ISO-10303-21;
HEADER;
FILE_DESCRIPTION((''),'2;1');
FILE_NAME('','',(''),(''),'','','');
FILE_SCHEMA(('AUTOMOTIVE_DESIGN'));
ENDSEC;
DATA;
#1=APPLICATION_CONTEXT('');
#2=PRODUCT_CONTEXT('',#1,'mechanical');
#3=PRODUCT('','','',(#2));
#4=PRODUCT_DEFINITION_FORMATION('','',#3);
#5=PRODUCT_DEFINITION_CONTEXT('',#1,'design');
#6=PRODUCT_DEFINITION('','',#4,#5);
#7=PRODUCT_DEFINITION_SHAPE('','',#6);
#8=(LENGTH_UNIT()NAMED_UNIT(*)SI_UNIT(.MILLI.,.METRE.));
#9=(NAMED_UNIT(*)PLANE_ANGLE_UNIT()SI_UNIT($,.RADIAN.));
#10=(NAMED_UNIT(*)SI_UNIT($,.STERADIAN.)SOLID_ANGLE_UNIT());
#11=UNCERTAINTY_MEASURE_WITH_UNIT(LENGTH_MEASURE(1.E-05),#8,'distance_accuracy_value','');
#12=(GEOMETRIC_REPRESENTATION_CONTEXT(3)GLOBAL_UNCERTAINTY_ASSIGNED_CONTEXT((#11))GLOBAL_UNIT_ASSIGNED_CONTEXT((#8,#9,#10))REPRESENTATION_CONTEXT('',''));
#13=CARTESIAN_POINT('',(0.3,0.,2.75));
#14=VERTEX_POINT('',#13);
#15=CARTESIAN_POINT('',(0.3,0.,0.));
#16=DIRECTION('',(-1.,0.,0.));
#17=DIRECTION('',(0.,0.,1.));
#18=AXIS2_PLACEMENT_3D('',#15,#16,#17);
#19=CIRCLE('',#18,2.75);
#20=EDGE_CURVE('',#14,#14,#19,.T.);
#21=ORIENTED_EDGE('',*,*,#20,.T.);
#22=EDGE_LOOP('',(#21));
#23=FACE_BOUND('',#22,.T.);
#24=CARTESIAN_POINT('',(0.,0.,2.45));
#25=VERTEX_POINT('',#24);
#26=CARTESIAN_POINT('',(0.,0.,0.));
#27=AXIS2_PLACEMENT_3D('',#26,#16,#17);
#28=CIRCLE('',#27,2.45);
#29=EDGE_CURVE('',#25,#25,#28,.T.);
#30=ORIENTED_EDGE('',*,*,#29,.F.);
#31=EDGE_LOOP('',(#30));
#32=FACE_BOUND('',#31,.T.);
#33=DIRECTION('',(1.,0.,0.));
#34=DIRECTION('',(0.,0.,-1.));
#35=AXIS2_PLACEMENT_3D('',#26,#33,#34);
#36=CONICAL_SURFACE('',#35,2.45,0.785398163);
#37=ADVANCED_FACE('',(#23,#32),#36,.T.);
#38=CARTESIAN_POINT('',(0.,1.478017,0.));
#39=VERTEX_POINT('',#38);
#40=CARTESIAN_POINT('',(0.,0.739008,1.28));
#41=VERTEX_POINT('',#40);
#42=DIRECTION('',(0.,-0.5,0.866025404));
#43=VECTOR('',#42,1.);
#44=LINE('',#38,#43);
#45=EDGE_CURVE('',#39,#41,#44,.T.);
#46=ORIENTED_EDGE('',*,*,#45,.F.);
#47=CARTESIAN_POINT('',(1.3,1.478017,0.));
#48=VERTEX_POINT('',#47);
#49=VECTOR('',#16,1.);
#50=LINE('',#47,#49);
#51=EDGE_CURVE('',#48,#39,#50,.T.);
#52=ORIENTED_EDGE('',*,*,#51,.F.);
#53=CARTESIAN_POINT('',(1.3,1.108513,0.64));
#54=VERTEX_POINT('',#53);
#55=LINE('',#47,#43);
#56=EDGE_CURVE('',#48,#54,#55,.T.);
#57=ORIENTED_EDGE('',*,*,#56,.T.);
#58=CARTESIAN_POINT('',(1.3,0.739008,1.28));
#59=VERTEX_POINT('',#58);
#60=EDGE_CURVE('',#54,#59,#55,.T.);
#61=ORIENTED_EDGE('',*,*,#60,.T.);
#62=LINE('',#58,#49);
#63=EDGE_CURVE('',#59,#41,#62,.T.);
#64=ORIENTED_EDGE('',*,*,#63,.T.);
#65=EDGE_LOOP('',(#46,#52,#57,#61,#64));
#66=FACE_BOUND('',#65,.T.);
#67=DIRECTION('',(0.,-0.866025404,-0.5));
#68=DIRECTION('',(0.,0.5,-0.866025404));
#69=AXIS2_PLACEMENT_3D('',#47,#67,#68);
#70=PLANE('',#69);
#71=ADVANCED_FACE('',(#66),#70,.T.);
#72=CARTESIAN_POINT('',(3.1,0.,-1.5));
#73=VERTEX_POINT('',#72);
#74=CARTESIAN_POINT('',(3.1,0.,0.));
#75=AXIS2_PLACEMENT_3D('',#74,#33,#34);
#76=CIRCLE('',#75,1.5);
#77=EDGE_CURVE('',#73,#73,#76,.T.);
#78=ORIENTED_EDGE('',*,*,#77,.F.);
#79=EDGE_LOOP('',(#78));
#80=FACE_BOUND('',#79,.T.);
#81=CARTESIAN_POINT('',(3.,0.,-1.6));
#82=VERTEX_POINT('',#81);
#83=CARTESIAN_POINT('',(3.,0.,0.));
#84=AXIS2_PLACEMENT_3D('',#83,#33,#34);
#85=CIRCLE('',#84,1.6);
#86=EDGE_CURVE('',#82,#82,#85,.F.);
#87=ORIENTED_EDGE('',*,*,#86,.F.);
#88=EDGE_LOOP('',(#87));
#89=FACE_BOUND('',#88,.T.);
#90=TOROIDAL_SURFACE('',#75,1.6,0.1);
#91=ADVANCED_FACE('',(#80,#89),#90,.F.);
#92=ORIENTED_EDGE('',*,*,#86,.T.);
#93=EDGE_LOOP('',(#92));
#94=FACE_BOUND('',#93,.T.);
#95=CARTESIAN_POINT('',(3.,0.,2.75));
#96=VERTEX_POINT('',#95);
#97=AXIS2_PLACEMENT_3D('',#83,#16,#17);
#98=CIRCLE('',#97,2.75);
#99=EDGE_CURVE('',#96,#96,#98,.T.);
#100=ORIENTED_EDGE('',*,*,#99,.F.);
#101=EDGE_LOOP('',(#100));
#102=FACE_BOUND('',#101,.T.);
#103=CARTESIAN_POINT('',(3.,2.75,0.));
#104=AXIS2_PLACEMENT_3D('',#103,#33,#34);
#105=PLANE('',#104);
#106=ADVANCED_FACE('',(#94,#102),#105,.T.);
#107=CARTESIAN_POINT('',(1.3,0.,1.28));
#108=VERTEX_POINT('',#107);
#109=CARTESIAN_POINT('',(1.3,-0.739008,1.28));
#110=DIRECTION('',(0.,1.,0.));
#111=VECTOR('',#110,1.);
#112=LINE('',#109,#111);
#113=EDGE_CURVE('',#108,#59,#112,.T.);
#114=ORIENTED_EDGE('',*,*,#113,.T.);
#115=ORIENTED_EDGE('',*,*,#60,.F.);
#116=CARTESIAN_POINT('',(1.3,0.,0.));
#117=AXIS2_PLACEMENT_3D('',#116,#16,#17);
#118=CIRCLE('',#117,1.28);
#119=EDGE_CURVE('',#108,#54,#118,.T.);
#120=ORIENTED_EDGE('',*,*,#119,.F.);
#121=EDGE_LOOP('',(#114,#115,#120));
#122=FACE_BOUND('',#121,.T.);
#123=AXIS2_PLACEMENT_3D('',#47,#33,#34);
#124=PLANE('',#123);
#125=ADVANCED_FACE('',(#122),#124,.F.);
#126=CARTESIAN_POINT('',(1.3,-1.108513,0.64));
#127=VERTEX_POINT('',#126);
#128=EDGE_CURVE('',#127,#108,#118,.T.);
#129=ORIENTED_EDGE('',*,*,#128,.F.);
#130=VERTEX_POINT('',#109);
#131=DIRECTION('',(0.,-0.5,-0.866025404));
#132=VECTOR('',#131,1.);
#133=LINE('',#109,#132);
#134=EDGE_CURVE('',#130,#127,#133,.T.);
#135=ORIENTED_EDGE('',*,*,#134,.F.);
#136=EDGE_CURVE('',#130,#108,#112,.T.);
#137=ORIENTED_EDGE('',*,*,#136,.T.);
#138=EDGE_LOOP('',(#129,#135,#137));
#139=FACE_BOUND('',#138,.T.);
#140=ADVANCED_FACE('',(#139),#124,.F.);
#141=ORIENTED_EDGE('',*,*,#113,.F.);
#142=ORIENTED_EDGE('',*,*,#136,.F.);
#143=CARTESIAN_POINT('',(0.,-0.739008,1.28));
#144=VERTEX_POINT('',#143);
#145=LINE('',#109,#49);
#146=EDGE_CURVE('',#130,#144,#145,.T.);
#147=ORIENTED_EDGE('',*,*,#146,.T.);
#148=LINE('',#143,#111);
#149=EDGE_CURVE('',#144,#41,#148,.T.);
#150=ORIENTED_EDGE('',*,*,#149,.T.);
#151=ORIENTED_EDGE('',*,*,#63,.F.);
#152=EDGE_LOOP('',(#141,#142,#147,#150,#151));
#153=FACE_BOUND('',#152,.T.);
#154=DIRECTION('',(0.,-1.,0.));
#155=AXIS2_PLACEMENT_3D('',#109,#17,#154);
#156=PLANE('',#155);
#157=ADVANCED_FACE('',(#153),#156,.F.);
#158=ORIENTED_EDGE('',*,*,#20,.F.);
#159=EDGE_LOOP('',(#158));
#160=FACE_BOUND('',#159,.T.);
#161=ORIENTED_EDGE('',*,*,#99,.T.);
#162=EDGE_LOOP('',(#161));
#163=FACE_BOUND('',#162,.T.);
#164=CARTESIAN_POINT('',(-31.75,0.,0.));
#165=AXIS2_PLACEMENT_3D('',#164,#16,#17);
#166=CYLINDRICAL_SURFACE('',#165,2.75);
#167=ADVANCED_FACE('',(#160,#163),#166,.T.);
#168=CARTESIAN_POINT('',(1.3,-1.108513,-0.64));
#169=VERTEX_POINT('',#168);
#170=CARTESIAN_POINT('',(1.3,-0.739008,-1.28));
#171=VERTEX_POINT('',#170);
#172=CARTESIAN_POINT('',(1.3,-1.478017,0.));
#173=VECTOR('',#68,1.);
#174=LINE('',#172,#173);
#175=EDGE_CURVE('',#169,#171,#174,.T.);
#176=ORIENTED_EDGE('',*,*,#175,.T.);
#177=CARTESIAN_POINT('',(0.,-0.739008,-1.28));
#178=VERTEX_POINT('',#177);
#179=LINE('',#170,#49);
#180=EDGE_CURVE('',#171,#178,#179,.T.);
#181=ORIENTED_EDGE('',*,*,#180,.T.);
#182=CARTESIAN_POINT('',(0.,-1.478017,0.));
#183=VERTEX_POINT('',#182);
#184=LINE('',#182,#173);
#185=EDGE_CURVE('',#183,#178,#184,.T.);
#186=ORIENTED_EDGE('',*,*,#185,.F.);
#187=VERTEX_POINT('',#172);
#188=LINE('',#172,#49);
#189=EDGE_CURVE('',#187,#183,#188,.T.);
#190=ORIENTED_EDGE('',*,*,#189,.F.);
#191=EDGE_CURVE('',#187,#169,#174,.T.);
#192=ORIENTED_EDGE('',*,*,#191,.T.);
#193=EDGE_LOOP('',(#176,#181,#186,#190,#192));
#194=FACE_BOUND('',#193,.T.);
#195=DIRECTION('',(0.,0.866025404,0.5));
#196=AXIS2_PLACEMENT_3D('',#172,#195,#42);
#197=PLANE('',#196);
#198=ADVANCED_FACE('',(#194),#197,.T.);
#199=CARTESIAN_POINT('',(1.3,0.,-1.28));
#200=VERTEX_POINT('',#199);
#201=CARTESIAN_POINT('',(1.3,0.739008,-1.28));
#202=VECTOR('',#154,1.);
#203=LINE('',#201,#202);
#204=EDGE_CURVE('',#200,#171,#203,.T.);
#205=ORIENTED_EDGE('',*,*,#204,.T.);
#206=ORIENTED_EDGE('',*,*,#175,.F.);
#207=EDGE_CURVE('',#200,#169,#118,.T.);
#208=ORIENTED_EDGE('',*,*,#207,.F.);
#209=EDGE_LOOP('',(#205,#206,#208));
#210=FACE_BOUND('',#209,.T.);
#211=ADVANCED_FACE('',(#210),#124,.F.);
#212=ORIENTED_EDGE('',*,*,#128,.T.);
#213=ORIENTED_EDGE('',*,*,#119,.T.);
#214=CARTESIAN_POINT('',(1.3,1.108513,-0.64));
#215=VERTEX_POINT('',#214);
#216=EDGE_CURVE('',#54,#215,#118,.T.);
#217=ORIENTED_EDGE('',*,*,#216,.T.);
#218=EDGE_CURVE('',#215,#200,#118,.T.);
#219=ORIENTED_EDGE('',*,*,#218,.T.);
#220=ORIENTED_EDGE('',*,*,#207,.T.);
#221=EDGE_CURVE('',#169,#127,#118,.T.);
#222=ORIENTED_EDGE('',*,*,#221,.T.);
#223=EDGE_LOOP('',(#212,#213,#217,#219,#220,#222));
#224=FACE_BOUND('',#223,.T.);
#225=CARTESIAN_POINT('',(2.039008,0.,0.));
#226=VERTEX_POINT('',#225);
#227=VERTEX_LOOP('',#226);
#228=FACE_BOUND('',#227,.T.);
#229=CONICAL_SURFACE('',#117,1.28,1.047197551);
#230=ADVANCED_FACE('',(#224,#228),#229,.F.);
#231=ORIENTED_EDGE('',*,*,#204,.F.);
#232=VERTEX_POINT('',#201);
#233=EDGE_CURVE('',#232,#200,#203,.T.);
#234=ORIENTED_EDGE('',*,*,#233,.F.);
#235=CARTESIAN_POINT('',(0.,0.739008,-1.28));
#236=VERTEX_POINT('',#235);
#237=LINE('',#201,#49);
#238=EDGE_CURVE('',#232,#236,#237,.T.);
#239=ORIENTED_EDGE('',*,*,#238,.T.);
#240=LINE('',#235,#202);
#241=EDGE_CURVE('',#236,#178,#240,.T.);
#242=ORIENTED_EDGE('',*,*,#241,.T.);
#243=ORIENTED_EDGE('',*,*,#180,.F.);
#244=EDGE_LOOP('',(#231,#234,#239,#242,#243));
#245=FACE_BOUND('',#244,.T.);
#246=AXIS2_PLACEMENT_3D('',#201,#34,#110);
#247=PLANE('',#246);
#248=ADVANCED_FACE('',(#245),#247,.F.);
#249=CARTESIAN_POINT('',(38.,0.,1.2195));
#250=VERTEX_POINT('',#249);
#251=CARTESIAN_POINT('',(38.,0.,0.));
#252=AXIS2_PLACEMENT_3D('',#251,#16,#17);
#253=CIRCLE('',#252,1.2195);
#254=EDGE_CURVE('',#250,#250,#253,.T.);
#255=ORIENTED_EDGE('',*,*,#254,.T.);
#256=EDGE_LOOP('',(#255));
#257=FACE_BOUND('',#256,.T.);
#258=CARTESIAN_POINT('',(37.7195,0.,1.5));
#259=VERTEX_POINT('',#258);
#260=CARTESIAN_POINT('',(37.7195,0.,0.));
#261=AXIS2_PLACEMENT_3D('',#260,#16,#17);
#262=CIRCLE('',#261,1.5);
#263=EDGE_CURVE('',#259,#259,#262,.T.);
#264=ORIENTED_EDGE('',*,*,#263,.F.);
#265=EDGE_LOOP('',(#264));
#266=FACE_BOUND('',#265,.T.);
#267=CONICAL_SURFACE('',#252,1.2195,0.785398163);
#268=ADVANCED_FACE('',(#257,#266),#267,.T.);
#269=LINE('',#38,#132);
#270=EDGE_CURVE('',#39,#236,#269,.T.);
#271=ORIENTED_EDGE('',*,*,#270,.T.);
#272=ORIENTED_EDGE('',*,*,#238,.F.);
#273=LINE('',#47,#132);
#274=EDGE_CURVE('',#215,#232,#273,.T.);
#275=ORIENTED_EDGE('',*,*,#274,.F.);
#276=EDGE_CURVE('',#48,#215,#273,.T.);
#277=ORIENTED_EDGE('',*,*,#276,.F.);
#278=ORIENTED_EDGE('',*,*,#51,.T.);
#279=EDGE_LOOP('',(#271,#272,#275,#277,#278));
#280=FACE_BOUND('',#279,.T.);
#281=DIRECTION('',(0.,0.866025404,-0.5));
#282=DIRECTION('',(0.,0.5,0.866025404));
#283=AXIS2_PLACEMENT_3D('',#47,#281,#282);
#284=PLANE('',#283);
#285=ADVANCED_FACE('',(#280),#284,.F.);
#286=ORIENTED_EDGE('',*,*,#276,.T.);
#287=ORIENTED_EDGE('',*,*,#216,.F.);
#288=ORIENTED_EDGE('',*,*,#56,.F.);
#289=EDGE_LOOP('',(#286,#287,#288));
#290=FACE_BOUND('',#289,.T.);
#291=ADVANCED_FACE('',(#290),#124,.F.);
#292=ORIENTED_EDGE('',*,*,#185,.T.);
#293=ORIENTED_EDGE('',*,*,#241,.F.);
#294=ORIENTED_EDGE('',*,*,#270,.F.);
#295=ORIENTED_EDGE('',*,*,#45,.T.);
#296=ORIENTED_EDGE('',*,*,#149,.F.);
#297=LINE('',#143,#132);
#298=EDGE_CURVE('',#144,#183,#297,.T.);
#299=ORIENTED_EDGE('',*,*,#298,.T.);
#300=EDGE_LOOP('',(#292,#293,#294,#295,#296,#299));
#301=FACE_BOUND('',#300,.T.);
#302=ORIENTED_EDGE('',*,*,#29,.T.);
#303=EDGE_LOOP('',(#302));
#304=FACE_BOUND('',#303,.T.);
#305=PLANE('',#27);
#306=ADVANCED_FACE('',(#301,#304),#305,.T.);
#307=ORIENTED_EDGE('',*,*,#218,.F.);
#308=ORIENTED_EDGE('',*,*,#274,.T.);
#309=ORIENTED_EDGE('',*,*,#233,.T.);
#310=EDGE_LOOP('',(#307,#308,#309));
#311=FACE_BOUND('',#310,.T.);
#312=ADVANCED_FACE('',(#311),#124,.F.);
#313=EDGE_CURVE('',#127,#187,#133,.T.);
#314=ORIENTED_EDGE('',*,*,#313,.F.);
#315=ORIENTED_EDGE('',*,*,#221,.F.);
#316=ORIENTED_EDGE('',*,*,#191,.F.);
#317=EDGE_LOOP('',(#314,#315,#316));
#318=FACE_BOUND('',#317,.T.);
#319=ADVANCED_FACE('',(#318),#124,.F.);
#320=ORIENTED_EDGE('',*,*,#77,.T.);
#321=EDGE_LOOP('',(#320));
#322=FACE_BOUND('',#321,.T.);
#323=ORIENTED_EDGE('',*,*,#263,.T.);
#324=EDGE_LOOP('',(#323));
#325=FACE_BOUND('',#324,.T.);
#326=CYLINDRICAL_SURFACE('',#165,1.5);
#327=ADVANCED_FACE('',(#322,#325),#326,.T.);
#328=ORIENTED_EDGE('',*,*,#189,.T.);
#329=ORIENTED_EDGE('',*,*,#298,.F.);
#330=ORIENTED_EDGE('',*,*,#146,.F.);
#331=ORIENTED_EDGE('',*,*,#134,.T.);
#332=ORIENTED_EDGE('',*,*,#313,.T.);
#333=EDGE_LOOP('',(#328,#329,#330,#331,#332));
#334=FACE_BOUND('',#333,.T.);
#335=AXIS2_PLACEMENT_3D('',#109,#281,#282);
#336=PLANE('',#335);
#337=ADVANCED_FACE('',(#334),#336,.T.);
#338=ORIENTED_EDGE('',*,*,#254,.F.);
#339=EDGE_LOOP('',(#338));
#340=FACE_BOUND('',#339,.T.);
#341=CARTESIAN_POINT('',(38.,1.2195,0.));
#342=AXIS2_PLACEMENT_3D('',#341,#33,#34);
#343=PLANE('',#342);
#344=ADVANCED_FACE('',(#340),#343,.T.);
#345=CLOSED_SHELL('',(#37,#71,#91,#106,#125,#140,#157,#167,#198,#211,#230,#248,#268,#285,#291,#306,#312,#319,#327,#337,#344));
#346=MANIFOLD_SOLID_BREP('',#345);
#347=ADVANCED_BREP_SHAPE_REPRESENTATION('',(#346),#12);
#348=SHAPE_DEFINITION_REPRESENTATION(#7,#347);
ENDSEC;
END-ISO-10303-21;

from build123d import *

# Parameters (mm, degrees)
FILLET1_R   = 0.1
HEX_2_DEPTH = 1.3


with BuildPart() as part:
    # BodySke → Base-Revolve (revolve)
    with BuildSketch(Plane.XY):
        Polygon((0, 0), (0, 2.45), (0.3, 2.75), (3, 2.75), (3, 1.5), (37.7195, 1.5), (38, 1.2195), (38, 0), align=None)
    revolve(axis=Axis((-31.75, 0, 0), (1, 0, 0)))

    # Fillet1
    fillet1_edges = [part.edges().sort_by_distance(p)[0] for p in [
        (3, -1.5, 0),
    ]]
    fillet(fillet1_edges, radius=FILLET1_R)

    # Sketch2 → Hex-PreBroach (revolve, cut)
    with BuildSketch(Plane.XY):
        Polygon((0, 1.28), (1.3, 1.28), (2.039008345, 0), (0, 0), align=None)
    revolve(axis=Axis((0, 0, 0), (1, 0, 0)), mode=Mode.SUBTRACT)

    # Sketch3 → Hex 2 (cut)
    with BuildSketch(Plane(origin=(0, 0, 0), x_dir=(0, 0.5, 0.866025404), z_dir=(-1, 0, 0))):
        Polygon((0.739008345, 1.28), (-0.739008345, 1.28), (-1.478016689, 0), (-0.739008345, -1.28), (0.739008345, -1.28), (1.478016689, 0), align=None)
    extrude(amount=-HEX_2_DEPTH, mode=Mode.SUBTRACT)


solid = part.part
